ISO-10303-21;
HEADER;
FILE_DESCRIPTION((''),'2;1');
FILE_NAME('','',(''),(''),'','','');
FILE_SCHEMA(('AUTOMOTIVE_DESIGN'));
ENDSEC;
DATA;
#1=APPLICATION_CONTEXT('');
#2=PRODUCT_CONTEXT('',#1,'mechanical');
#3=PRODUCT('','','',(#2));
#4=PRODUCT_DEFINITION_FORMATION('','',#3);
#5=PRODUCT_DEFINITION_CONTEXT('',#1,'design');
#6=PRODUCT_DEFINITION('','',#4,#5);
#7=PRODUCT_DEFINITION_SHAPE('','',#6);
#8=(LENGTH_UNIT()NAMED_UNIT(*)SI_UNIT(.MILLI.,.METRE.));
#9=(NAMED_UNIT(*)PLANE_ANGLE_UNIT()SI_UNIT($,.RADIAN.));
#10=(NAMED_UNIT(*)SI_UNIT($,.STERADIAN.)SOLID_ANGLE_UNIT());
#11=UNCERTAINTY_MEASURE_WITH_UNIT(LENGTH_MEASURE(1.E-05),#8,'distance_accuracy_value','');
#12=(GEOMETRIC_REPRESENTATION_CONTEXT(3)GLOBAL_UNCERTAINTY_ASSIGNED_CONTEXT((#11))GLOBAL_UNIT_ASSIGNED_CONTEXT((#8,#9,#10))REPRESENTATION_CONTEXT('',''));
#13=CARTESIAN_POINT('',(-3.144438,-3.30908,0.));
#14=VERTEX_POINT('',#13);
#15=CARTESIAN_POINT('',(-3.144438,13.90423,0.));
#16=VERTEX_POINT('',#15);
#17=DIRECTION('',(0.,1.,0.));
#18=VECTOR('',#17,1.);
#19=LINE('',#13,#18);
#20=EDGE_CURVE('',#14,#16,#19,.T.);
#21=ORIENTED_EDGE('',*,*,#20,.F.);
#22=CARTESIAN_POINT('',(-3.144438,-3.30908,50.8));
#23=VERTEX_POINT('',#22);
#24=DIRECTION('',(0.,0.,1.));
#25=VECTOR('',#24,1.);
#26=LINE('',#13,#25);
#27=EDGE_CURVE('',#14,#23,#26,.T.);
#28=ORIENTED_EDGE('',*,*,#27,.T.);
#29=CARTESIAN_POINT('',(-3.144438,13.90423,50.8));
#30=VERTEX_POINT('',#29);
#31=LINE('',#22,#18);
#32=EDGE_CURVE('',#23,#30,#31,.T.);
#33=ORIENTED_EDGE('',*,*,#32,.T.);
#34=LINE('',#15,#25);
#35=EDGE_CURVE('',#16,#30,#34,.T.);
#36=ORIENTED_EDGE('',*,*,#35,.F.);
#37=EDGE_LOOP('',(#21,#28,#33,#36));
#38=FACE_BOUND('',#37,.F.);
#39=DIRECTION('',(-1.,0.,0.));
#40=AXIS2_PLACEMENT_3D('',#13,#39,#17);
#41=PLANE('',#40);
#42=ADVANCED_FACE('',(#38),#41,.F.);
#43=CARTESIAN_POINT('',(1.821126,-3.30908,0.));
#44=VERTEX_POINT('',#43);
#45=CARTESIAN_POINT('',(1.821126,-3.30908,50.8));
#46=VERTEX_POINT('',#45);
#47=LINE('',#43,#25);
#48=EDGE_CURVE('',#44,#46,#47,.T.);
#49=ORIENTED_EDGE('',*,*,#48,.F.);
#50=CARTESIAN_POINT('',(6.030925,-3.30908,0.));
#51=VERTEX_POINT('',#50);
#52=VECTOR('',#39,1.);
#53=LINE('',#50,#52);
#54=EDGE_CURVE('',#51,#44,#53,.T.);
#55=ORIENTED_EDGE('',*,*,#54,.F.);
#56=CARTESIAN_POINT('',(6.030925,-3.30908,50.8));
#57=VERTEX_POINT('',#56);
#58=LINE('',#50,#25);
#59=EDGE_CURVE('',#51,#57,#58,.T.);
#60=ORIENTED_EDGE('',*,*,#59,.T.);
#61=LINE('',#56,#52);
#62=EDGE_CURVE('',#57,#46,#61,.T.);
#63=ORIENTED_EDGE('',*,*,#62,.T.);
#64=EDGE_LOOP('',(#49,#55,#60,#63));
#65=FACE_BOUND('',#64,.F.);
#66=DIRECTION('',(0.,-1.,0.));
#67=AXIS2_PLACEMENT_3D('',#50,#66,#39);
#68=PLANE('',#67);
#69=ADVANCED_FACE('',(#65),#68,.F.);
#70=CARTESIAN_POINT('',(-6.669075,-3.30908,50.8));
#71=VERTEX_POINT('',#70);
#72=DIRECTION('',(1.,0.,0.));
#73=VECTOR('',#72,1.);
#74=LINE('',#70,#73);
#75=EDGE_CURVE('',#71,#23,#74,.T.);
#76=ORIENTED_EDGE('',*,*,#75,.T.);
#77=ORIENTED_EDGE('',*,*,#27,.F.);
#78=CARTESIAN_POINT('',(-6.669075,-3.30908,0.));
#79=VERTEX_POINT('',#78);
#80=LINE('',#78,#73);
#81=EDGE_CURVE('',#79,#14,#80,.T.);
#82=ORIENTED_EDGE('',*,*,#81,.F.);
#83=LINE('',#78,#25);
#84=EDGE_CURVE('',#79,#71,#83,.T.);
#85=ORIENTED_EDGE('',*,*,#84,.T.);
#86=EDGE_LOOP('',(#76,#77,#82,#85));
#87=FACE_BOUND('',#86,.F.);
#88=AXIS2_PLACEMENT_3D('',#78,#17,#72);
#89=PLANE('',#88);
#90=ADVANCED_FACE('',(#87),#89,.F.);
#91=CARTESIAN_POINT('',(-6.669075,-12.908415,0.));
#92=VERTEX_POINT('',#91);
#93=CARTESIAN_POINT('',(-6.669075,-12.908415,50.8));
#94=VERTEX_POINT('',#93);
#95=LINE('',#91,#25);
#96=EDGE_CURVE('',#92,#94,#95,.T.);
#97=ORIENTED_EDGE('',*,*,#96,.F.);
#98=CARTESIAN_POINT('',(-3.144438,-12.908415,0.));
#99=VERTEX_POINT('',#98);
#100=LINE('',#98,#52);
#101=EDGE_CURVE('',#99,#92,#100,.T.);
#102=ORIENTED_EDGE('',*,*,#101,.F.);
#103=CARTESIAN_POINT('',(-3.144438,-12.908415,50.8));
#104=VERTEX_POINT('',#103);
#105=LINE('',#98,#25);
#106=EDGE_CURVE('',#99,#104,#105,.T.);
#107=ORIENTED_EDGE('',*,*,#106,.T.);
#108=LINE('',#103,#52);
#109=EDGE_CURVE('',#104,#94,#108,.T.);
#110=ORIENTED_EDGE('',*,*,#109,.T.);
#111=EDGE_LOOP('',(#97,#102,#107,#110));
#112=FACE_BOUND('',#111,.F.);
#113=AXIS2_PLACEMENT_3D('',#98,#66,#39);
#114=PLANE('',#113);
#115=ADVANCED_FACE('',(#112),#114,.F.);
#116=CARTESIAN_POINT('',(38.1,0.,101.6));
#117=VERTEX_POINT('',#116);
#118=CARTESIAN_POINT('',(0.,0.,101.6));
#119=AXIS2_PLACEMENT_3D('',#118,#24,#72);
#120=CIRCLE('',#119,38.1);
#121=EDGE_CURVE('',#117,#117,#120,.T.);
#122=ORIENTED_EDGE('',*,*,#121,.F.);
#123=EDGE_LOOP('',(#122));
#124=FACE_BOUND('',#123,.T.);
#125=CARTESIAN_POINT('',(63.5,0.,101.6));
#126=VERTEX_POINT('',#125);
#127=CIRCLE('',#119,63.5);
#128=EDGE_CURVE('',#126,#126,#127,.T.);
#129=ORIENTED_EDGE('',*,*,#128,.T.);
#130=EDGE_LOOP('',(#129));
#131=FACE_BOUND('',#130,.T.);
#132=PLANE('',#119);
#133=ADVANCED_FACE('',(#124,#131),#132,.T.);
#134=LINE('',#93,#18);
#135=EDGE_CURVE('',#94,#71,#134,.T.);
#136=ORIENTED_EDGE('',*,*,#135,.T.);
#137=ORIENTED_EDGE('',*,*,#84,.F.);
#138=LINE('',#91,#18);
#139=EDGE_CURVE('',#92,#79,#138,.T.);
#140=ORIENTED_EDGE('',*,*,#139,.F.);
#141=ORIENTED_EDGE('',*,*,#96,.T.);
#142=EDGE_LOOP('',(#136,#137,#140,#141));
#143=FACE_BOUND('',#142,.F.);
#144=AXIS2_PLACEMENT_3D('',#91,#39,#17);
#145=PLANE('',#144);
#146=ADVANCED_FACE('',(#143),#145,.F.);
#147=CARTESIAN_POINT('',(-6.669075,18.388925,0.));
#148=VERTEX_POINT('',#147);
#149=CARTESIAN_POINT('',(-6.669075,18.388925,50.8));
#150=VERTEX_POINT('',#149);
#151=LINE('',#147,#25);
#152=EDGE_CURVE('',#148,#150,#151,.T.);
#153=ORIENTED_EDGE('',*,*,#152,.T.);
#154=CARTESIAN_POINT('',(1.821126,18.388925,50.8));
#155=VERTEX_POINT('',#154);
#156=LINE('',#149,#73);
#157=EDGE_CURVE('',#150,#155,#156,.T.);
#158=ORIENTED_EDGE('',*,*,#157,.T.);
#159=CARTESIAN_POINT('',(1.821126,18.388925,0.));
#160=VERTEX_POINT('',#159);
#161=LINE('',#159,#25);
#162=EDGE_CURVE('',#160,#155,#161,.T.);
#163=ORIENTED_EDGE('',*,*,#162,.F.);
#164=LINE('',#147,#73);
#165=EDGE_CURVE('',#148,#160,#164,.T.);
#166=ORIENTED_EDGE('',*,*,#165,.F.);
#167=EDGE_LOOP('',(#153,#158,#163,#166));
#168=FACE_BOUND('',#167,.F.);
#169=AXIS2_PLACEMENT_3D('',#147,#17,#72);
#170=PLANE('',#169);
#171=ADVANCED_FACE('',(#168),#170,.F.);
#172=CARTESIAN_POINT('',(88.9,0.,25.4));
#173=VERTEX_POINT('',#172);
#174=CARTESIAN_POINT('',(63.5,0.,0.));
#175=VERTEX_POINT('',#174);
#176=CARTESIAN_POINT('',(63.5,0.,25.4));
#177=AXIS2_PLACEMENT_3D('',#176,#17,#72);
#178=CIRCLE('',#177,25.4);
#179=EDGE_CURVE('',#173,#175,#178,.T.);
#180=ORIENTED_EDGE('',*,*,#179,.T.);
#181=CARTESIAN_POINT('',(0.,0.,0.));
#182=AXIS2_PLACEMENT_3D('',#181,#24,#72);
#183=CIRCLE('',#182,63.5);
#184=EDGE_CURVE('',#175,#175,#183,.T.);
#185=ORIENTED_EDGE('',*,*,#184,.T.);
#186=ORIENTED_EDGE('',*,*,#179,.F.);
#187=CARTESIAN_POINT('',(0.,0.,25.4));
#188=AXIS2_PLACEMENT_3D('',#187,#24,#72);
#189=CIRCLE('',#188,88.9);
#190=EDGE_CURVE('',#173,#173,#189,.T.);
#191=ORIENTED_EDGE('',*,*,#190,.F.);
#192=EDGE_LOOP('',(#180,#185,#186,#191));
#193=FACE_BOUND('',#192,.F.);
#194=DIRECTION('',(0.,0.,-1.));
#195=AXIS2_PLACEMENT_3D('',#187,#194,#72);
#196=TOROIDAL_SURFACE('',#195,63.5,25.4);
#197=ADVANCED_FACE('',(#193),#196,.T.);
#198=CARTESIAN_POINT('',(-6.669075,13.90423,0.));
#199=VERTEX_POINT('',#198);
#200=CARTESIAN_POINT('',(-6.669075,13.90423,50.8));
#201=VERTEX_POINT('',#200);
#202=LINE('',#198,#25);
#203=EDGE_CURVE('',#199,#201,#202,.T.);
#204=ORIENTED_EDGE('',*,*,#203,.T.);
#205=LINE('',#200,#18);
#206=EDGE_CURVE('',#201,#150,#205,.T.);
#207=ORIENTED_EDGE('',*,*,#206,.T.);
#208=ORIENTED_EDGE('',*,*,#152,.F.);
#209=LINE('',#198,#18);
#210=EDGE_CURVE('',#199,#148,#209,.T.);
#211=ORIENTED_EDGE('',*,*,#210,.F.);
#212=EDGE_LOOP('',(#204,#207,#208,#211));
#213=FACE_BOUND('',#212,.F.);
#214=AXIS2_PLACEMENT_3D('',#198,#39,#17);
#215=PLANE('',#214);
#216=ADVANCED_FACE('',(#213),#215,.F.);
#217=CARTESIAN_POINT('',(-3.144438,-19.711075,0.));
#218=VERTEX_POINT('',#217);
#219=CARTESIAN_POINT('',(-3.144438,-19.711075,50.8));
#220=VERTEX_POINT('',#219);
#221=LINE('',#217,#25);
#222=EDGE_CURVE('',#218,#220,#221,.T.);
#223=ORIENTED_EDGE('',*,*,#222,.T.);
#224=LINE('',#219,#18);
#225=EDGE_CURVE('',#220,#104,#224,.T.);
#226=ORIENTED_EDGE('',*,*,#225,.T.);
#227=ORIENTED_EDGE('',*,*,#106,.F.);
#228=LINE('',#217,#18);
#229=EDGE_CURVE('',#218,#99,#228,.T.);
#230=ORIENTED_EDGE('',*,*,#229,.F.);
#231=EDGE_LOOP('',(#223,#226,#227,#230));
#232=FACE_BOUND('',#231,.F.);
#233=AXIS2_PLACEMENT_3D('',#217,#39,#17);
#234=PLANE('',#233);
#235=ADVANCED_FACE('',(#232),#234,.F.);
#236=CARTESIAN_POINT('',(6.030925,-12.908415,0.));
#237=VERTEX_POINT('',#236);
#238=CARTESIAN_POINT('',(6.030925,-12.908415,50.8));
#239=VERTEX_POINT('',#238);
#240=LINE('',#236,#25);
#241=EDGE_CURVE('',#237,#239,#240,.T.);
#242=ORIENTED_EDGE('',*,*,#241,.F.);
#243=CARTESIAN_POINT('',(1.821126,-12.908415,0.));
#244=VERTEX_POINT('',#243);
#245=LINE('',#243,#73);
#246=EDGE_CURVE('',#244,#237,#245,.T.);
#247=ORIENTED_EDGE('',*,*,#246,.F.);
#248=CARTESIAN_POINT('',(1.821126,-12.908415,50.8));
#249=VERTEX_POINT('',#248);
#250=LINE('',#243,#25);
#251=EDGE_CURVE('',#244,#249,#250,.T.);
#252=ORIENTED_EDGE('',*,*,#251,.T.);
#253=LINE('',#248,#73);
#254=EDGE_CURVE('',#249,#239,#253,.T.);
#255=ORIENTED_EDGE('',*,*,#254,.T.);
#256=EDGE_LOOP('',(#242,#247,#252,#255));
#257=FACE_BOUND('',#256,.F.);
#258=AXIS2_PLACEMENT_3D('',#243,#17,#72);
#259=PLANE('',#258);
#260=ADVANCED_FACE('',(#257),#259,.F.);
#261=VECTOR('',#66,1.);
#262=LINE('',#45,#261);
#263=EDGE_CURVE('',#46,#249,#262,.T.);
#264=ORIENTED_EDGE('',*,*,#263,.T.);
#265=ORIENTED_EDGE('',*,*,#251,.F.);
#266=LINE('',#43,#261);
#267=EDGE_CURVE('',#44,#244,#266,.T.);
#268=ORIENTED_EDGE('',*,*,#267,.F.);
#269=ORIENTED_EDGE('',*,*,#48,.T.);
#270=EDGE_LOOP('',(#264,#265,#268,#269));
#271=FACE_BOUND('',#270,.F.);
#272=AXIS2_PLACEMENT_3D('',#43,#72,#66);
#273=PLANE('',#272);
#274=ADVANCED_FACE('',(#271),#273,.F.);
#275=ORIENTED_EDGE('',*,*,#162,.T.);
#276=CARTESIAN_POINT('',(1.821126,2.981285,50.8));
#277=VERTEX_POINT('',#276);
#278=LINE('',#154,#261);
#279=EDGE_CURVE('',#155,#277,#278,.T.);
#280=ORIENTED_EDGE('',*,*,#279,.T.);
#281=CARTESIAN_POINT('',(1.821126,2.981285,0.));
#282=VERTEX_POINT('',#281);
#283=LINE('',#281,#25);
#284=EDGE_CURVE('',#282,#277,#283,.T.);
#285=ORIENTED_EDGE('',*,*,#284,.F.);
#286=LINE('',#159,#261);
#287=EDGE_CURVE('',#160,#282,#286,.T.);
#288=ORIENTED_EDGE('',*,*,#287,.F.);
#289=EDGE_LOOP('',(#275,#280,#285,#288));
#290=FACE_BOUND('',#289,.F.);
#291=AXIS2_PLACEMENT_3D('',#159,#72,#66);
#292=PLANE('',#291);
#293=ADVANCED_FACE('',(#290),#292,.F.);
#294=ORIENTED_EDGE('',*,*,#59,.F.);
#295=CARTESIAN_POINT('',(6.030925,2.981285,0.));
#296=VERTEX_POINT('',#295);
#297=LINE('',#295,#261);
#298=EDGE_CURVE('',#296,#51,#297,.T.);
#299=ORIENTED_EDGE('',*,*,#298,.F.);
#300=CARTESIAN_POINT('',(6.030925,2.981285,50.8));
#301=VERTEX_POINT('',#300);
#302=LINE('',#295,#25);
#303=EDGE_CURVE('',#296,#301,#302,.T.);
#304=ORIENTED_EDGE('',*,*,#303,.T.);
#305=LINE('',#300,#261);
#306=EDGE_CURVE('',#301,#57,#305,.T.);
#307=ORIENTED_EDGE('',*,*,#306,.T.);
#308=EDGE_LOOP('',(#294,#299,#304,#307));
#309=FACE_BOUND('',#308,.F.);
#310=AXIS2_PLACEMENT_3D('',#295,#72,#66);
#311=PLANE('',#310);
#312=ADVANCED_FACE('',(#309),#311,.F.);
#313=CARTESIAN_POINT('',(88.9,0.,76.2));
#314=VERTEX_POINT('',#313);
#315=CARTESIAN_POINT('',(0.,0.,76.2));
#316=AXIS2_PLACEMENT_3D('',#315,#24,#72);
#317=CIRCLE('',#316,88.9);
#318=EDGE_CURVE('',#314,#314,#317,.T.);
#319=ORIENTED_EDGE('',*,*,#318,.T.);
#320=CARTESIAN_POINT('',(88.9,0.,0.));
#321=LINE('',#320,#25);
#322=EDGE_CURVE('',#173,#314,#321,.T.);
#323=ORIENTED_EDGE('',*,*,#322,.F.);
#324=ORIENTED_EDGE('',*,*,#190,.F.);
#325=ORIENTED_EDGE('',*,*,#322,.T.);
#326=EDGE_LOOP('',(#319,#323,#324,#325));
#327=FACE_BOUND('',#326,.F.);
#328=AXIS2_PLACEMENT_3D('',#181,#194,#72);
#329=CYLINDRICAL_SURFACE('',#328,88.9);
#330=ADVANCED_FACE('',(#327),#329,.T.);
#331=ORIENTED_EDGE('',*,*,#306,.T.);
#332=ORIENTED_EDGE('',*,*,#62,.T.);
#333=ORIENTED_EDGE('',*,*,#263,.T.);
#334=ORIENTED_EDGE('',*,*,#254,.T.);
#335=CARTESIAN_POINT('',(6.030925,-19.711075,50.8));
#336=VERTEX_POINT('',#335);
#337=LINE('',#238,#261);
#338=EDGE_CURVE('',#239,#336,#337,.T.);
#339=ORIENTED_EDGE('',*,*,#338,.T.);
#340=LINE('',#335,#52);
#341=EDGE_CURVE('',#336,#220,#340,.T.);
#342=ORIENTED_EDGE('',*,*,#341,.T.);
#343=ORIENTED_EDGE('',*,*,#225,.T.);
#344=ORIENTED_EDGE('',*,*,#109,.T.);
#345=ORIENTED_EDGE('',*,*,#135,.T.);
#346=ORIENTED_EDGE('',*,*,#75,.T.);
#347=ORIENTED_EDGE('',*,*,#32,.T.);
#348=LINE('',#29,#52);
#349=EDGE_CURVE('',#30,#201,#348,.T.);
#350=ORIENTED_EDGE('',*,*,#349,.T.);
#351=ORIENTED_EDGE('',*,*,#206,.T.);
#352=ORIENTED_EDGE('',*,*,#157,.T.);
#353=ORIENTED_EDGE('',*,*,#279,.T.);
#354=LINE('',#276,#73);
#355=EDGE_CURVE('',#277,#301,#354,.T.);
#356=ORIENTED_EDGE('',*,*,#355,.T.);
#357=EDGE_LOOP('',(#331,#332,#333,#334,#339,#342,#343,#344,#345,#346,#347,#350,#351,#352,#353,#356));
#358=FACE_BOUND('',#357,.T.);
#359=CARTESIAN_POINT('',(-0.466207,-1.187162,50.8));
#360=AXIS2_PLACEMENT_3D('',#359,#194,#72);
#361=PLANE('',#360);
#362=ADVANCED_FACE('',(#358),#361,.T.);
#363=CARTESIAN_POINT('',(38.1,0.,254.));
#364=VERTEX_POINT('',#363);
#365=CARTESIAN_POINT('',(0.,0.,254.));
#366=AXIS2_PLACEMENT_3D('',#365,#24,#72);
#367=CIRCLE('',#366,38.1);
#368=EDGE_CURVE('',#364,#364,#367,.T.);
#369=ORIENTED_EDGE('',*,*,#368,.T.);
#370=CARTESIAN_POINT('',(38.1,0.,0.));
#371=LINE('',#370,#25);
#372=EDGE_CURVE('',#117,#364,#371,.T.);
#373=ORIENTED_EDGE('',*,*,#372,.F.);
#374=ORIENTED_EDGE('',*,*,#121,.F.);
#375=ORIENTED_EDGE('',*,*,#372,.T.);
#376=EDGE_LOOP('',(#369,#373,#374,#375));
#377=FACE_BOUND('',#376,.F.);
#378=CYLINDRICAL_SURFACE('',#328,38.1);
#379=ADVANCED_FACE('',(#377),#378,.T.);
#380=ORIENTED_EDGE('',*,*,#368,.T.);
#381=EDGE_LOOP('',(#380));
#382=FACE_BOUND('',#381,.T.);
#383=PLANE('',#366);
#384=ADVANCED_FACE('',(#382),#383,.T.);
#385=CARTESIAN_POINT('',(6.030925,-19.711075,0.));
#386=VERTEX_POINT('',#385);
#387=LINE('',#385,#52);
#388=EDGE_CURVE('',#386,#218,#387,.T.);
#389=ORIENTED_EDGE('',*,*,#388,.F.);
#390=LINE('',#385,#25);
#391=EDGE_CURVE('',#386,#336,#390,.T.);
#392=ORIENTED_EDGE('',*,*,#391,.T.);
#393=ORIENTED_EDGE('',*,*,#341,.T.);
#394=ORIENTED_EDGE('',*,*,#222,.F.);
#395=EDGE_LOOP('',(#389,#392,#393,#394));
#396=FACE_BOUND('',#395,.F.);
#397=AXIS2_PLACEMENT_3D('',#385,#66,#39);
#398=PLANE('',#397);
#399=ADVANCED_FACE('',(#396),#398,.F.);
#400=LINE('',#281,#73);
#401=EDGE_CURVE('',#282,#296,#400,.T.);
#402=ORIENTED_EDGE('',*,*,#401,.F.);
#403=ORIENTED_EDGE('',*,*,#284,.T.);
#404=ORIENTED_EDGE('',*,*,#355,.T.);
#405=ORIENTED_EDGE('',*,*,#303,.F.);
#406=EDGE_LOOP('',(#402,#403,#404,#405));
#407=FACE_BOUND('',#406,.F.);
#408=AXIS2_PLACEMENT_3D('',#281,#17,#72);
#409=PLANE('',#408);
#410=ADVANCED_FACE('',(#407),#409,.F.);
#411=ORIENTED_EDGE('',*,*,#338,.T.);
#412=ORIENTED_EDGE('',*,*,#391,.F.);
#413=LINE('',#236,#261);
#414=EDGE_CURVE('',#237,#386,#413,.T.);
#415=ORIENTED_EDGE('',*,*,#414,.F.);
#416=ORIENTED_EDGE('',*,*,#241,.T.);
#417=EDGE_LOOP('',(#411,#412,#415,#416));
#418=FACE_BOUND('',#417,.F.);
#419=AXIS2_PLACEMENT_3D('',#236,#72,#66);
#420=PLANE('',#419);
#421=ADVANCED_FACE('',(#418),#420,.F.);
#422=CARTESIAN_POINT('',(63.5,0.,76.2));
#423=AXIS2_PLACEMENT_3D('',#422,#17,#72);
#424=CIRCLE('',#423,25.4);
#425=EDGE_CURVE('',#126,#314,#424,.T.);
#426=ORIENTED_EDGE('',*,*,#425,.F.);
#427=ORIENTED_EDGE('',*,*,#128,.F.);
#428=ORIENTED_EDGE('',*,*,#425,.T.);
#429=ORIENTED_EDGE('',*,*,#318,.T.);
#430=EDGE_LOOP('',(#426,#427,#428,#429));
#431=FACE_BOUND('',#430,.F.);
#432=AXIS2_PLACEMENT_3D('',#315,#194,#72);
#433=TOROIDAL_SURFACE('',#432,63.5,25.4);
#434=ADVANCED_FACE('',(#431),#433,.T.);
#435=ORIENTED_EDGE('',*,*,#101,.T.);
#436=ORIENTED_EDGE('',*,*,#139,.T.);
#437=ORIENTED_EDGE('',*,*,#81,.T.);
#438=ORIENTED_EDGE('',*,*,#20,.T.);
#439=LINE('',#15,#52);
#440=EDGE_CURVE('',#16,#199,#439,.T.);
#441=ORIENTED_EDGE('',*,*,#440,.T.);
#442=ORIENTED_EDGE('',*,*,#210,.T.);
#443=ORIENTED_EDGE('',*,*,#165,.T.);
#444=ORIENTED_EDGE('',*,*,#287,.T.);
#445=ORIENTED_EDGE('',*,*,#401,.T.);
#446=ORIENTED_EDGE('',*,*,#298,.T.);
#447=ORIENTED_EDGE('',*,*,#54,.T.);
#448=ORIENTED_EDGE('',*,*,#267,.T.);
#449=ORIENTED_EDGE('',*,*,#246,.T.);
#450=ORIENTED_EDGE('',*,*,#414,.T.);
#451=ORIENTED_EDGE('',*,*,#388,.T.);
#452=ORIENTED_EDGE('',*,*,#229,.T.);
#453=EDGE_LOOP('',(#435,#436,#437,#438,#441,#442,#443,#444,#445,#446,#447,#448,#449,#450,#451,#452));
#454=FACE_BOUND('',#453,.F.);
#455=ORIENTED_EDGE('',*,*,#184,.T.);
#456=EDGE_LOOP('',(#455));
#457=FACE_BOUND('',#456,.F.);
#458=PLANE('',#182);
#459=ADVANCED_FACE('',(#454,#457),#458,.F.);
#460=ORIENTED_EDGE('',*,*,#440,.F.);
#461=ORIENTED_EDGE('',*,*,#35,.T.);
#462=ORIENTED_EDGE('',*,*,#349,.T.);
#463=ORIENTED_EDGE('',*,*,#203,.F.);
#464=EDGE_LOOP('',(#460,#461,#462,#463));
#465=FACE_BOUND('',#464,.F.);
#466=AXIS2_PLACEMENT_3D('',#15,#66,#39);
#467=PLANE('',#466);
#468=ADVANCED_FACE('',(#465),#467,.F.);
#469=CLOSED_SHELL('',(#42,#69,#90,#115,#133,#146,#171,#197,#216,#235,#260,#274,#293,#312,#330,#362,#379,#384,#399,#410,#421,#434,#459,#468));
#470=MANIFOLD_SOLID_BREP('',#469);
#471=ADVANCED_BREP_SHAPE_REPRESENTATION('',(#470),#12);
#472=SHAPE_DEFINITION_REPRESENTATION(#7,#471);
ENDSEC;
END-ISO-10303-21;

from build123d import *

# Parameters (mm, degrees)
F0_R     = 88.9
F0_R_2   = 38.1
F1_DEPTH = 101.6
F2_DEPTH = 254
F3_R     = 25.4
F4_R     = 25.4
F6_DEPTH = 50.8


with BuildPart() as f1:
    # F0 (on Top) → F1 (new body)
    with BuildSketch(Plane.XY):
        Circle(F0_R)
        Circle(F0_R_2, mode=Mode.SUBTRACT)
    extrude(amount=F1_DEPTH)

    # F0 (on Top) → F2 (join)
    with BuildSketch(Plane.XY):
        Circle(F0_R_2)
    extrude(amount=F2_DEPTH)

    # F3
    f3_edges = [f1.edges().sort_by_distance(p)[0] for p in [
        (-88.9, 0, 101.6),
    ]]
    fillet(f3_edges, radius=F3_R)

    # F4
    f4_edges = [f1.edges().sort_by_distance(p)[0] for p in [
        (-88.9, 0, 0),
    ]]
    fillet(f4_edges, radius=F4_R)

    # F5 (on face) → F6 (cut)
    with BuildSketch(Plane(origin=(0, 0, 0), x_dir=(1, 0, 0), z_dir=(0, 0, -1))):
        Polygon((6.030925, 19.711075), (-3.144438, 19.711075), (-3.144438, 12.908415), (-6.669075, 12.908415), (-6.669075, 3.30908), (-3.144438, 3.30908), (-3.144438, -13.90423), (-6.669075, -13.90423), (-6.669075, -18.388925), (1.821126, -18.388925), (1.821126, -2.981285), (6.030925, -2.981285), (6.030925, 3.30908), (1.821126, 3.30908), (1.821126, 12.908415), (6.030925, 12.908415), align=None)
    extrude(amount=-F6_DEPTH, mode=Mode.SUBTRACT)


solid = f1.part
